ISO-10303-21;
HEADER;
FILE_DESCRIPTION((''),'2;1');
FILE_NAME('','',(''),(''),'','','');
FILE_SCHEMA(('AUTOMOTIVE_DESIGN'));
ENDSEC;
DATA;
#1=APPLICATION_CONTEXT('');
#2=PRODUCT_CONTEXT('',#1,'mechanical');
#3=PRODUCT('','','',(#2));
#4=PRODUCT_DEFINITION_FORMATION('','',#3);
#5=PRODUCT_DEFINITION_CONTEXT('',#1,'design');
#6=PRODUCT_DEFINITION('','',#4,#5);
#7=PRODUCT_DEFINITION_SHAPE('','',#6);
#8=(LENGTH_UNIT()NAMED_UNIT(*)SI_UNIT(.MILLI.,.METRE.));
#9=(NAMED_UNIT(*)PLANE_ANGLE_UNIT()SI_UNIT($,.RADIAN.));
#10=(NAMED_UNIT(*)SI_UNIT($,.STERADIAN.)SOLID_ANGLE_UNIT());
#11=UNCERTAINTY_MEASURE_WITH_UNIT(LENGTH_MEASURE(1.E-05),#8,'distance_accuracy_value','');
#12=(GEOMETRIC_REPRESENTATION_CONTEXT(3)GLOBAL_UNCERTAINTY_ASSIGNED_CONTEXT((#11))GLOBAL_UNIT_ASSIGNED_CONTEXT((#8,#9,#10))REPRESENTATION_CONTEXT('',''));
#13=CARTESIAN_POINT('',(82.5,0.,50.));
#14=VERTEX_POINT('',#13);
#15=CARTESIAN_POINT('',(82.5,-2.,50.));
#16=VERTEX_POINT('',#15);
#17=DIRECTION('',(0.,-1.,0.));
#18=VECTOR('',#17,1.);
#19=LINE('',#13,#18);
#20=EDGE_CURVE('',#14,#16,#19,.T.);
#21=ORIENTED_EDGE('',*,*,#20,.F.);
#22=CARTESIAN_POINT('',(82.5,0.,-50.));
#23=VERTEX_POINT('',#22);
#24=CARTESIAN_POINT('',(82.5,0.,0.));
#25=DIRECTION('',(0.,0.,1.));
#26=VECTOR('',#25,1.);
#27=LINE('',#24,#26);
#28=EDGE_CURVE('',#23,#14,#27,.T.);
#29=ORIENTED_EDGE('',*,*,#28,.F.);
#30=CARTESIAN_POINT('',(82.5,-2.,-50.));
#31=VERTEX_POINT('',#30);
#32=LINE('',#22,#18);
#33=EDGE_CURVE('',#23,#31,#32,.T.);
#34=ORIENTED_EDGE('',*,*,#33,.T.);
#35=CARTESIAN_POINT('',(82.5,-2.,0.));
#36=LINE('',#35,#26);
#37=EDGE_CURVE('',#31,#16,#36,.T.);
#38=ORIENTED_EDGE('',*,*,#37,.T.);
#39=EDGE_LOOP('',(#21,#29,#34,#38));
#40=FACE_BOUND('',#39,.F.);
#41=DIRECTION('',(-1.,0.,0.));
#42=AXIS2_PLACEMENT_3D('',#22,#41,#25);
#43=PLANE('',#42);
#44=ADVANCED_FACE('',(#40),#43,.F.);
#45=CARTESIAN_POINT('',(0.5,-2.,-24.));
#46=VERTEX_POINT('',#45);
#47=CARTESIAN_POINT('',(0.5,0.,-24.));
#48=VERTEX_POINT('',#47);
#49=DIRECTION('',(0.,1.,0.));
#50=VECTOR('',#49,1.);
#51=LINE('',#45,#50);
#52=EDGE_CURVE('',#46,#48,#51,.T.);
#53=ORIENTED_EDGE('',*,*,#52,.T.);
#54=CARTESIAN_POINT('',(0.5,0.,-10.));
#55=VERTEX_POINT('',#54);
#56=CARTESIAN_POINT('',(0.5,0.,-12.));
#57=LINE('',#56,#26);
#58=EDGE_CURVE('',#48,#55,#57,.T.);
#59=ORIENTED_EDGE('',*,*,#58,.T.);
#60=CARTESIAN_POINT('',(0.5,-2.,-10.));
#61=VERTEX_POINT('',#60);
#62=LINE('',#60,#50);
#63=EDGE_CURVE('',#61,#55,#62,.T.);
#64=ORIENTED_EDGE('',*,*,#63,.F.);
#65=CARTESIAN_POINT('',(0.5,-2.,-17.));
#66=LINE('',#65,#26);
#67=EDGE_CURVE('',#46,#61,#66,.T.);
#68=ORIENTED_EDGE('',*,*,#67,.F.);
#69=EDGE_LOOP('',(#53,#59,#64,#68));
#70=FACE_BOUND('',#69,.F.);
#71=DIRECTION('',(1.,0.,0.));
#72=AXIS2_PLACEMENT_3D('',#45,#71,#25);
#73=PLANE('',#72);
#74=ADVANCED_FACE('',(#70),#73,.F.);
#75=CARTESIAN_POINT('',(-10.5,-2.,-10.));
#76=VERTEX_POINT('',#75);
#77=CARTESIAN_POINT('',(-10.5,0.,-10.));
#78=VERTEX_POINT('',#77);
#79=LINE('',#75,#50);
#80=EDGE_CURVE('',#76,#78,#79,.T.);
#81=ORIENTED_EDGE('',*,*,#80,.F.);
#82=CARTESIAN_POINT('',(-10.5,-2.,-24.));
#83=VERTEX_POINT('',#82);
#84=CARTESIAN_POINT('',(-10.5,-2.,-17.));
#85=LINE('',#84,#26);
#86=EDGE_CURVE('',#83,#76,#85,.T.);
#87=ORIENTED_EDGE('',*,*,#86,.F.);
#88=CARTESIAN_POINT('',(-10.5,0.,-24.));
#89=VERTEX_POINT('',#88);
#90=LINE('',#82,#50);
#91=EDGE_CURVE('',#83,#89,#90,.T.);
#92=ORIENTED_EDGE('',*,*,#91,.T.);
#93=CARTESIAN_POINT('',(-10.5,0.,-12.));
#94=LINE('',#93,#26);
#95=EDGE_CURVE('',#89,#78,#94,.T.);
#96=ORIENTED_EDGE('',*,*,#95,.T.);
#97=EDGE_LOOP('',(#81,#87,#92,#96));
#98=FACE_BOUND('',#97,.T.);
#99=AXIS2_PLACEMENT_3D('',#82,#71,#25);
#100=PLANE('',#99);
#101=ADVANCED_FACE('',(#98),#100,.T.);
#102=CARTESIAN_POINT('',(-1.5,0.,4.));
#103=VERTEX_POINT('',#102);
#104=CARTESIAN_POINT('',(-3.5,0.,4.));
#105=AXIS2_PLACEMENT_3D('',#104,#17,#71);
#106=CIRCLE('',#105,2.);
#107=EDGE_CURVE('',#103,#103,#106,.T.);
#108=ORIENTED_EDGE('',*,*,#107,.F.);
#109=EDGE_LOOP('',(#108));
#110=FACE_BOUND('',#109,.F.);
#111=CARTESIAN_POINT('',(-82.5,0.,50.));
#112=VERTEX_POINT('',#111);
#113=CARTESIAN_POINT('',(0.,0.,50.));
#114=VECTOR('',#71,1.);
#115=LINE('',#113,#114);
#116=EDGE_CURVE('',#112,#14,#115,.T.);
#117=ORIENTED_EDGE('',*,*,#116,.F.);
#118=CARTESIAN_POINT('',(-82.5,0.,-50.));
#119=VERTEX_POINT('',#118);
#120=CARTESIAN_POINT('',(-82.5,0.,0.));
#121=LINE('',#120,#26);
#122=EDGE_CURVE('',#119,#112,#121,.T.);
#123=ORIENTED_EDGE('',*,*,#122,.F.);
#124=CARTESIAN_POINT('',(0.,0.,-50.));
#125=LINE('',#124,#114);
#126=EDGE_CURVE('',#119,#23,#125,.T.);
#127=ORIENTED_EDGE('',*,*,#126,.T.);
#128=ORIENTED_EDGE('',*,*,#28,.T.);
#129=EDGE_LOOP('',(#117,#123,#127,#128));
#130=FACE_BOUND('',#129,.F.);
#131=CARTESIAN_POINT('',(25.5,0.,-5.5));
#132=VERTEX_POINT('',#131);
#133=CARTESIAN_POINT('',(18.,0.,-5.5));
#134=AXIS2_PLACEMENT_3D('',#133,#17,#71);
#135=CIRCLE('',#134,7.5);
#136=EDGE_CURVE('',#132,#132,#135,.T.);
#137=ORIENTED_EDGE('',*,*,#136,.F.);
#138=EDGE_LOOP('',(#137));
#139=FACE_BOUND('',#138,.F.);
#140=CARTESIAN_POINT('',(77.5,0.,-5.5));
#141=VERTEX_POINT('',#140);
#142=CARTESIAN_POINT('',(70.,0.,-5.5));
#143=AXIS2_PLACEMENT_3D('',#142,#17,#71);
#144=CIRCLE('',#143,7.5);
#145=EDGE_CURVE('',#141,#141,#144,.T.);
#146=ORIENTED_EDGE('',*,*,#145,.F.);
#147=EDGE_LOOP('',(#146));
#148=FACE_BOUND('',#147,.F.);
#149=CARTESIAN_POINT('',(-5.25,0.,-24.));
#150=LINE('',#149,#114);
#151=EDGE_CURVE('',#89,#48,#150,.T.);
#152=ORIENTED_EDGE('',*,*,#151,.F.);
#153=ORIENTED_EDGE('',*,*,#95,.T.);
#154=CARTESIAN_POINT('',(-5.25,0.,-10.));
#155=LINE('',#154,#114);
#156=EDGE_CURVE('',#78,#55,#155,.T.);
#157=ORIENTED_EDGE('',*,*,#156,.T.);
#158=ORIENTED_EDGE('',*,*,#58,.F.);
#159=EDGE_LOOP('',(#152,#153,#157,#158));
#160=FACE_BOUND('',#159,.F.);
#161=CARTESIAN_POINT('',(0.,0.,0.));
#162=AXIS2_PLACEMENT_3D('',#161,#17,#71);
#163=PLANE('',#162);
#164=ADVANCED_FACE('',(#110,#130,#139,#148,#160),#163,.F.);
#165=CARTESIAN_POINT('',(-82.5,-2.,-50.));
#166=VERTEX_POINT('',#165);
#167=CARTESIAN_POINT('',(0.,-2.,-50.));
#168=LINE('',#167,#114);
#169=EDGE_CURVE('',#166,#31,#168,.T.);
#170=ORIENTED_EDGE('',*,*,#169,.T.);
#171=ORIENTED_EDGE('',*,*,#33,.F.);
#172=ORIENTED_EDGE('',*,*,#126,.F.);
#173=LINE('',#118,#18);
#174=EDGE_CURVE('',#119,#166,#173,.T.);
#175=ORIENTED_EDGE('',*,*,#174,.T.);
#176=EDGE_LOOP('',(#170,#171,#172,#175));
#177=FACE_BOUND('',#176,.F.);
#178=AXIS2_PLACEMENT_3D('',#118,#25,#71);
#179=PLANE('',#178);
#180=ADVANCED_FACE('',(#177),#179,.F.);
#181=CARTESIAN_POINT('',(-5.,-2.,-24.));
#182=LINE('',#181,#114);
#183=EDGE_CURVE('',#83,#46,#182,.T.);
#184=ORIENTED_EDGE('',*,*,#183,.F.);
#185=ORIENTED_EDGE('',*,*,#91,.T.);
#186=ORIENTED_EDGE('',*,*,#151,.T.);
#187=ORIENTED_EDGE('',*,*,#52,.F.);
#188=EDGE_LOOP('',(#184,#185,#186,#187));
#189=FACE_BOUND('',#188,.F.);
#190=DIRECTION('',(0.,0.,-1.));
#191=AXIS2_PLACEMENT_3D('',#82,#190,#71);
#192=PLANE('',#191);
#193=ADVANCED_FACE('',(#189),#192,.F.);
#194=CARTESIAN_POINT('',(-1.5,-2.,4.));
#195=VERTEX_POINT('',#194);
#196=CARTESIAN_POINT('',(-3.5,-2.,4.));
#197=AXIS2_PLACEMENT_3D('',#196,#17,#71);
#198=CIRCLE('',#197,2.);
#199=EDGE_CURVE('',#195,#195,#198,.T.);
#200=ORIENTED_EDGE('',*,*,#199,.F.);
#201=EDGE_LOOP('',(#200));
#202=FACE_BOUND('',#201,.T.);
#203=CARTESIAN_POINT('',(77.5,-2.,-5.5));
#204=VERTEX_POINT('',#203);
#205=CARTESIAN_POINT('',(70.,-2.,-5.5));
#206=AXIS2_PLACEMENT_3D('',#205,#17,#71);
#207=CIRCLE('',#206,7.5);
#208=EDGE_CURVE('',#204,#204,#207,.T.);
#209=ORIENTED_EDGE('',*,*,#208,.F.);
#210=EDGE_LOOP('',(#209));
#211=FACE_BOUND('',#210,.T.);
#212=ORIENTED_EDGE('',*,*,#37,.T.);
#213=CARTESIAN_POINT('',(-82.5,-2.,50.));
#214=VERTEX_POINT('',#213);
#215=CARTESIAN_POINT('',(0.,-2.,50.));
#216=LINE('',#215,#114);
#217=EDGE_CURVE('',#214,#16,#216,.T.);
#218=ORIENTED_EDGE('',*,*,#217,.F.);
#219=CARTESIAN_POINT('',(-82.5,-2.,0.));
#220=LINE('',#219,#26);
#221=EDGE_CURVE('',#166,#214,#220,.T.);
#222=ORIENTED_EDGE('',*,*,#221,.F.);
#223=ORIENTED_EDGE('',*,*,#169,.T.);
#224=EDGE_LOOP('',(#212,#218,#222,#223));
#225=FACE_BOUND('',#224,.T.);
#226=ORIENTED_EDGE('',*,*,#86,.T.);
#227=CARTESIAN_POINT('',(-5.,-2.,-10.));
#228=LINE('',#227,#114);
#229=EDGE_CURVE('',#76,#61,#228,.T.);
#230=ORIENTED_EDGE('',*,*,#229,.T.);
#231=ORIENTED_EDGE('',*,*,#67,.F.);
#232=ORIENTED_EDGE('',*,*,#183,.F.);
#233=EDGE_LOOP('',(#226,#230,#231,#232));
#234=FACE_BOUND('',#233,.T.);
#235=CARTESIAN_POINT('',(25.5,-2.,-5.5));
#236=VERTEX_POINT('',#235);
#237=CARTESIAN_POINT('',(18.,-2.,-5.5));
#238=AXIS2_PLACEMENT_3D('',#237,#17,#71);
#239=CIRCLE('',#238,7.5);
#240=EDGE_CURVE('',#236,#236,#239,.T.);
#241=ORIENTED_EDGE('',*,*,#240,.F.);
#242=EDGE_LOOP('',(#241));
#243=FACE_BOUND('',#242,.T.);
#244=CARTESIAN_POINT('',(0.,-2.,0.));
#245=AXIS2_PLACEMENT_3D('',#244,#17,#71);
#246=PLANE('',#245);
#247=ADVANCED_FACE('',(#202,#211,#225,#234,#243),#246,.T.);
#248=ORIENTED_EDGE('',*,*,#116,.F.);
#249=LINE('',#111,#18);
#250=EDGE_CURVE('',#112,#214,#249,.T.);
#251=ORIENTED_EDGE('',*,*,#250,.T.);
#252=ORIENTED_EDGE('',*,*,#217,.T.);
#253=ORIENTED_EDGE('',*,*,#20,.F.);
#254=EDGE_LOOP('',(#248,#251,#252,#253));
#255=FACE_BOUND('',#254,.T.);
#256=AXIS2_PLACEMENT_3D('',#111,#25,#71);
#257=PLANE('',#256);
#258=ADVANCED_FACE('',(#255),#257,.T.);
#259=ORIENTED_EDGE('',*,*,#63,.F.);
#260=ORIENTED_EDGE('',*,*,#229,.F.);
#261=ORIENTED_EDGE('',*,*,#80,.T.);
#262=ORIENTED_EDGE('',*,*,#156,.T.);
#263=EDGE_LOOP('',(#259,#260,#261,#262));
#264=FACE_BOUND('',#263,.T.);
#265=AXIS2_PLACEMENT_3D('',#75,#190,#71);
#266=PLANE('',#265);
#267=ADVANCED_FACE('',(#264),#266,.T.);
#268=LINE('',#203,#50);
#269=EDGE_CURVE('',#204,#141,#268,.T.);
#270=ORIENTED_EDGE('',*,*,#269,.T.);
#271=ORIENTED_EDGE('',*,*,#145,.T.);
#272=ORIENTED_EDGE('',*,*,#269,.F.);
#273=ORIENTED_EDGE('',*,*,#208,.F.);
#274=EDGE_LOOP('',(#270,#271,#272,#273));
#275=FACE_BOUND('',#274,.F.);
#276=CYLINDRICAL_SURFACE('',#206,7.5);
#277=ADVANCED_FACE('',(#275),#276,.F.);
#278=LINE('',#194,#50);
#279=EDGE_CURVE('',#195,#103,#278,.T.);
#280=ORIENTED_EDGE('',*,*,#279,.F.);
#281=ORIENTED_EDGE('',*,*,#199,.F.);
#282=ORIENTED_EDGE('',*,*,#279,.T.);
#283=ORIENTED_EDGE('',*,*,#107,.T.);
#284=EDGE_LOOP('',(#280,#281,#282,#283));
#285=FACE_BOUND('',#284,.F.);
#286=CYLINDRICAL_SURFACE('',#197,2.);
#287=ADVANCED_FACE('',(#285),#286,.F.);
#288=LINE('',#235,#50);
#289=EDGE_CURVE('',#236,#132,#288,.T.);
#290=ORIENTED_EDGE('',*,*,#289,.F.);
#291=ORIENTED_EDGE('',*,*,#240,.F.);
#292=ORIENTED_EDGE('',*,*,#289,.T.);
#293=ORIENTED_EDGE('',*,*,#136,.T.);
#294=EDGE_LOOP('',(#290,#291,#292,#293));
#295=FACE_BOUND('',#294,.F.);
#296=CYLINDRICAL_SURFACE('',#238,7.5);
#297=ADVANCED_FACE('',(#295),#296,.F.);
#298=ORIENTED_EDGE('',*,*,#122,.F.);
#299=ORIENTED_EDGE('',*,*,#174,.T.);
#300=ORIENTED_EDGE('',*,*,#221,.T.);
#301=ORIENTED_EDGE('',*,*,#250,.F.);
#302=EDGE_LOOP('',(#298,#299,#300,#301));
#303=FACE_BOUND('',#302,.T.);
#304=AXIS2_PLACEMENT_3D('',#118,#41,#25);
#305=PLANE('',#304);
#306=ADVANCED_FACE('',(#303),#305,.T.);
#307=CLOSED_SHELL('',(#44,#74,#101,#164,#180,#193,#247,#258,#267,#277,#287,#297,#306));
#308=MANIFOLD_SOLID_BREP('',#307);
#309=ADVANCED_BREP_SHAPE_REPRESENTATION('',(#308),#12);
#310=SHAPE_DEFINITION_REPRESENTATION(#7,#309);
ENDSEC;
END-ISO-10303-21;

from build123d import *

# Parameters (mm, degrees)
F0_W     = 165
F0_H     = 100
F1_DEPTH = 2
F2_W     = 11
F2_H     = 14
F2_R     = 2
F2_R_2   = 7.5
F3_DEPTH = 25


with BuildPart() as f1:
    # F0 (on Front) → F1 (new body)
    with BuildSketch(Plane.XZ):
        Rectangle(F0_W, F0_H)
    extrude(amount=F1_DEPTH)

    # F2 (on face) → F3 (cut)
    with BuildSketch(Plane.XZ.offset(2)):
        with Locations((-5, -17)):
            Rectangle(F2_W, F2_H)
        with Locations((-3.5, 4)):
            Circle(F2_R)
        with Locations((18, -5.5)):
            Circle(F2_R_2)
        with Locations((70, -5.5)):
            Circle(F2_R_2)
    extrude(amount=-F3_DEPTH, mode=Mode.SUBTRACT)


solid = f1.part
